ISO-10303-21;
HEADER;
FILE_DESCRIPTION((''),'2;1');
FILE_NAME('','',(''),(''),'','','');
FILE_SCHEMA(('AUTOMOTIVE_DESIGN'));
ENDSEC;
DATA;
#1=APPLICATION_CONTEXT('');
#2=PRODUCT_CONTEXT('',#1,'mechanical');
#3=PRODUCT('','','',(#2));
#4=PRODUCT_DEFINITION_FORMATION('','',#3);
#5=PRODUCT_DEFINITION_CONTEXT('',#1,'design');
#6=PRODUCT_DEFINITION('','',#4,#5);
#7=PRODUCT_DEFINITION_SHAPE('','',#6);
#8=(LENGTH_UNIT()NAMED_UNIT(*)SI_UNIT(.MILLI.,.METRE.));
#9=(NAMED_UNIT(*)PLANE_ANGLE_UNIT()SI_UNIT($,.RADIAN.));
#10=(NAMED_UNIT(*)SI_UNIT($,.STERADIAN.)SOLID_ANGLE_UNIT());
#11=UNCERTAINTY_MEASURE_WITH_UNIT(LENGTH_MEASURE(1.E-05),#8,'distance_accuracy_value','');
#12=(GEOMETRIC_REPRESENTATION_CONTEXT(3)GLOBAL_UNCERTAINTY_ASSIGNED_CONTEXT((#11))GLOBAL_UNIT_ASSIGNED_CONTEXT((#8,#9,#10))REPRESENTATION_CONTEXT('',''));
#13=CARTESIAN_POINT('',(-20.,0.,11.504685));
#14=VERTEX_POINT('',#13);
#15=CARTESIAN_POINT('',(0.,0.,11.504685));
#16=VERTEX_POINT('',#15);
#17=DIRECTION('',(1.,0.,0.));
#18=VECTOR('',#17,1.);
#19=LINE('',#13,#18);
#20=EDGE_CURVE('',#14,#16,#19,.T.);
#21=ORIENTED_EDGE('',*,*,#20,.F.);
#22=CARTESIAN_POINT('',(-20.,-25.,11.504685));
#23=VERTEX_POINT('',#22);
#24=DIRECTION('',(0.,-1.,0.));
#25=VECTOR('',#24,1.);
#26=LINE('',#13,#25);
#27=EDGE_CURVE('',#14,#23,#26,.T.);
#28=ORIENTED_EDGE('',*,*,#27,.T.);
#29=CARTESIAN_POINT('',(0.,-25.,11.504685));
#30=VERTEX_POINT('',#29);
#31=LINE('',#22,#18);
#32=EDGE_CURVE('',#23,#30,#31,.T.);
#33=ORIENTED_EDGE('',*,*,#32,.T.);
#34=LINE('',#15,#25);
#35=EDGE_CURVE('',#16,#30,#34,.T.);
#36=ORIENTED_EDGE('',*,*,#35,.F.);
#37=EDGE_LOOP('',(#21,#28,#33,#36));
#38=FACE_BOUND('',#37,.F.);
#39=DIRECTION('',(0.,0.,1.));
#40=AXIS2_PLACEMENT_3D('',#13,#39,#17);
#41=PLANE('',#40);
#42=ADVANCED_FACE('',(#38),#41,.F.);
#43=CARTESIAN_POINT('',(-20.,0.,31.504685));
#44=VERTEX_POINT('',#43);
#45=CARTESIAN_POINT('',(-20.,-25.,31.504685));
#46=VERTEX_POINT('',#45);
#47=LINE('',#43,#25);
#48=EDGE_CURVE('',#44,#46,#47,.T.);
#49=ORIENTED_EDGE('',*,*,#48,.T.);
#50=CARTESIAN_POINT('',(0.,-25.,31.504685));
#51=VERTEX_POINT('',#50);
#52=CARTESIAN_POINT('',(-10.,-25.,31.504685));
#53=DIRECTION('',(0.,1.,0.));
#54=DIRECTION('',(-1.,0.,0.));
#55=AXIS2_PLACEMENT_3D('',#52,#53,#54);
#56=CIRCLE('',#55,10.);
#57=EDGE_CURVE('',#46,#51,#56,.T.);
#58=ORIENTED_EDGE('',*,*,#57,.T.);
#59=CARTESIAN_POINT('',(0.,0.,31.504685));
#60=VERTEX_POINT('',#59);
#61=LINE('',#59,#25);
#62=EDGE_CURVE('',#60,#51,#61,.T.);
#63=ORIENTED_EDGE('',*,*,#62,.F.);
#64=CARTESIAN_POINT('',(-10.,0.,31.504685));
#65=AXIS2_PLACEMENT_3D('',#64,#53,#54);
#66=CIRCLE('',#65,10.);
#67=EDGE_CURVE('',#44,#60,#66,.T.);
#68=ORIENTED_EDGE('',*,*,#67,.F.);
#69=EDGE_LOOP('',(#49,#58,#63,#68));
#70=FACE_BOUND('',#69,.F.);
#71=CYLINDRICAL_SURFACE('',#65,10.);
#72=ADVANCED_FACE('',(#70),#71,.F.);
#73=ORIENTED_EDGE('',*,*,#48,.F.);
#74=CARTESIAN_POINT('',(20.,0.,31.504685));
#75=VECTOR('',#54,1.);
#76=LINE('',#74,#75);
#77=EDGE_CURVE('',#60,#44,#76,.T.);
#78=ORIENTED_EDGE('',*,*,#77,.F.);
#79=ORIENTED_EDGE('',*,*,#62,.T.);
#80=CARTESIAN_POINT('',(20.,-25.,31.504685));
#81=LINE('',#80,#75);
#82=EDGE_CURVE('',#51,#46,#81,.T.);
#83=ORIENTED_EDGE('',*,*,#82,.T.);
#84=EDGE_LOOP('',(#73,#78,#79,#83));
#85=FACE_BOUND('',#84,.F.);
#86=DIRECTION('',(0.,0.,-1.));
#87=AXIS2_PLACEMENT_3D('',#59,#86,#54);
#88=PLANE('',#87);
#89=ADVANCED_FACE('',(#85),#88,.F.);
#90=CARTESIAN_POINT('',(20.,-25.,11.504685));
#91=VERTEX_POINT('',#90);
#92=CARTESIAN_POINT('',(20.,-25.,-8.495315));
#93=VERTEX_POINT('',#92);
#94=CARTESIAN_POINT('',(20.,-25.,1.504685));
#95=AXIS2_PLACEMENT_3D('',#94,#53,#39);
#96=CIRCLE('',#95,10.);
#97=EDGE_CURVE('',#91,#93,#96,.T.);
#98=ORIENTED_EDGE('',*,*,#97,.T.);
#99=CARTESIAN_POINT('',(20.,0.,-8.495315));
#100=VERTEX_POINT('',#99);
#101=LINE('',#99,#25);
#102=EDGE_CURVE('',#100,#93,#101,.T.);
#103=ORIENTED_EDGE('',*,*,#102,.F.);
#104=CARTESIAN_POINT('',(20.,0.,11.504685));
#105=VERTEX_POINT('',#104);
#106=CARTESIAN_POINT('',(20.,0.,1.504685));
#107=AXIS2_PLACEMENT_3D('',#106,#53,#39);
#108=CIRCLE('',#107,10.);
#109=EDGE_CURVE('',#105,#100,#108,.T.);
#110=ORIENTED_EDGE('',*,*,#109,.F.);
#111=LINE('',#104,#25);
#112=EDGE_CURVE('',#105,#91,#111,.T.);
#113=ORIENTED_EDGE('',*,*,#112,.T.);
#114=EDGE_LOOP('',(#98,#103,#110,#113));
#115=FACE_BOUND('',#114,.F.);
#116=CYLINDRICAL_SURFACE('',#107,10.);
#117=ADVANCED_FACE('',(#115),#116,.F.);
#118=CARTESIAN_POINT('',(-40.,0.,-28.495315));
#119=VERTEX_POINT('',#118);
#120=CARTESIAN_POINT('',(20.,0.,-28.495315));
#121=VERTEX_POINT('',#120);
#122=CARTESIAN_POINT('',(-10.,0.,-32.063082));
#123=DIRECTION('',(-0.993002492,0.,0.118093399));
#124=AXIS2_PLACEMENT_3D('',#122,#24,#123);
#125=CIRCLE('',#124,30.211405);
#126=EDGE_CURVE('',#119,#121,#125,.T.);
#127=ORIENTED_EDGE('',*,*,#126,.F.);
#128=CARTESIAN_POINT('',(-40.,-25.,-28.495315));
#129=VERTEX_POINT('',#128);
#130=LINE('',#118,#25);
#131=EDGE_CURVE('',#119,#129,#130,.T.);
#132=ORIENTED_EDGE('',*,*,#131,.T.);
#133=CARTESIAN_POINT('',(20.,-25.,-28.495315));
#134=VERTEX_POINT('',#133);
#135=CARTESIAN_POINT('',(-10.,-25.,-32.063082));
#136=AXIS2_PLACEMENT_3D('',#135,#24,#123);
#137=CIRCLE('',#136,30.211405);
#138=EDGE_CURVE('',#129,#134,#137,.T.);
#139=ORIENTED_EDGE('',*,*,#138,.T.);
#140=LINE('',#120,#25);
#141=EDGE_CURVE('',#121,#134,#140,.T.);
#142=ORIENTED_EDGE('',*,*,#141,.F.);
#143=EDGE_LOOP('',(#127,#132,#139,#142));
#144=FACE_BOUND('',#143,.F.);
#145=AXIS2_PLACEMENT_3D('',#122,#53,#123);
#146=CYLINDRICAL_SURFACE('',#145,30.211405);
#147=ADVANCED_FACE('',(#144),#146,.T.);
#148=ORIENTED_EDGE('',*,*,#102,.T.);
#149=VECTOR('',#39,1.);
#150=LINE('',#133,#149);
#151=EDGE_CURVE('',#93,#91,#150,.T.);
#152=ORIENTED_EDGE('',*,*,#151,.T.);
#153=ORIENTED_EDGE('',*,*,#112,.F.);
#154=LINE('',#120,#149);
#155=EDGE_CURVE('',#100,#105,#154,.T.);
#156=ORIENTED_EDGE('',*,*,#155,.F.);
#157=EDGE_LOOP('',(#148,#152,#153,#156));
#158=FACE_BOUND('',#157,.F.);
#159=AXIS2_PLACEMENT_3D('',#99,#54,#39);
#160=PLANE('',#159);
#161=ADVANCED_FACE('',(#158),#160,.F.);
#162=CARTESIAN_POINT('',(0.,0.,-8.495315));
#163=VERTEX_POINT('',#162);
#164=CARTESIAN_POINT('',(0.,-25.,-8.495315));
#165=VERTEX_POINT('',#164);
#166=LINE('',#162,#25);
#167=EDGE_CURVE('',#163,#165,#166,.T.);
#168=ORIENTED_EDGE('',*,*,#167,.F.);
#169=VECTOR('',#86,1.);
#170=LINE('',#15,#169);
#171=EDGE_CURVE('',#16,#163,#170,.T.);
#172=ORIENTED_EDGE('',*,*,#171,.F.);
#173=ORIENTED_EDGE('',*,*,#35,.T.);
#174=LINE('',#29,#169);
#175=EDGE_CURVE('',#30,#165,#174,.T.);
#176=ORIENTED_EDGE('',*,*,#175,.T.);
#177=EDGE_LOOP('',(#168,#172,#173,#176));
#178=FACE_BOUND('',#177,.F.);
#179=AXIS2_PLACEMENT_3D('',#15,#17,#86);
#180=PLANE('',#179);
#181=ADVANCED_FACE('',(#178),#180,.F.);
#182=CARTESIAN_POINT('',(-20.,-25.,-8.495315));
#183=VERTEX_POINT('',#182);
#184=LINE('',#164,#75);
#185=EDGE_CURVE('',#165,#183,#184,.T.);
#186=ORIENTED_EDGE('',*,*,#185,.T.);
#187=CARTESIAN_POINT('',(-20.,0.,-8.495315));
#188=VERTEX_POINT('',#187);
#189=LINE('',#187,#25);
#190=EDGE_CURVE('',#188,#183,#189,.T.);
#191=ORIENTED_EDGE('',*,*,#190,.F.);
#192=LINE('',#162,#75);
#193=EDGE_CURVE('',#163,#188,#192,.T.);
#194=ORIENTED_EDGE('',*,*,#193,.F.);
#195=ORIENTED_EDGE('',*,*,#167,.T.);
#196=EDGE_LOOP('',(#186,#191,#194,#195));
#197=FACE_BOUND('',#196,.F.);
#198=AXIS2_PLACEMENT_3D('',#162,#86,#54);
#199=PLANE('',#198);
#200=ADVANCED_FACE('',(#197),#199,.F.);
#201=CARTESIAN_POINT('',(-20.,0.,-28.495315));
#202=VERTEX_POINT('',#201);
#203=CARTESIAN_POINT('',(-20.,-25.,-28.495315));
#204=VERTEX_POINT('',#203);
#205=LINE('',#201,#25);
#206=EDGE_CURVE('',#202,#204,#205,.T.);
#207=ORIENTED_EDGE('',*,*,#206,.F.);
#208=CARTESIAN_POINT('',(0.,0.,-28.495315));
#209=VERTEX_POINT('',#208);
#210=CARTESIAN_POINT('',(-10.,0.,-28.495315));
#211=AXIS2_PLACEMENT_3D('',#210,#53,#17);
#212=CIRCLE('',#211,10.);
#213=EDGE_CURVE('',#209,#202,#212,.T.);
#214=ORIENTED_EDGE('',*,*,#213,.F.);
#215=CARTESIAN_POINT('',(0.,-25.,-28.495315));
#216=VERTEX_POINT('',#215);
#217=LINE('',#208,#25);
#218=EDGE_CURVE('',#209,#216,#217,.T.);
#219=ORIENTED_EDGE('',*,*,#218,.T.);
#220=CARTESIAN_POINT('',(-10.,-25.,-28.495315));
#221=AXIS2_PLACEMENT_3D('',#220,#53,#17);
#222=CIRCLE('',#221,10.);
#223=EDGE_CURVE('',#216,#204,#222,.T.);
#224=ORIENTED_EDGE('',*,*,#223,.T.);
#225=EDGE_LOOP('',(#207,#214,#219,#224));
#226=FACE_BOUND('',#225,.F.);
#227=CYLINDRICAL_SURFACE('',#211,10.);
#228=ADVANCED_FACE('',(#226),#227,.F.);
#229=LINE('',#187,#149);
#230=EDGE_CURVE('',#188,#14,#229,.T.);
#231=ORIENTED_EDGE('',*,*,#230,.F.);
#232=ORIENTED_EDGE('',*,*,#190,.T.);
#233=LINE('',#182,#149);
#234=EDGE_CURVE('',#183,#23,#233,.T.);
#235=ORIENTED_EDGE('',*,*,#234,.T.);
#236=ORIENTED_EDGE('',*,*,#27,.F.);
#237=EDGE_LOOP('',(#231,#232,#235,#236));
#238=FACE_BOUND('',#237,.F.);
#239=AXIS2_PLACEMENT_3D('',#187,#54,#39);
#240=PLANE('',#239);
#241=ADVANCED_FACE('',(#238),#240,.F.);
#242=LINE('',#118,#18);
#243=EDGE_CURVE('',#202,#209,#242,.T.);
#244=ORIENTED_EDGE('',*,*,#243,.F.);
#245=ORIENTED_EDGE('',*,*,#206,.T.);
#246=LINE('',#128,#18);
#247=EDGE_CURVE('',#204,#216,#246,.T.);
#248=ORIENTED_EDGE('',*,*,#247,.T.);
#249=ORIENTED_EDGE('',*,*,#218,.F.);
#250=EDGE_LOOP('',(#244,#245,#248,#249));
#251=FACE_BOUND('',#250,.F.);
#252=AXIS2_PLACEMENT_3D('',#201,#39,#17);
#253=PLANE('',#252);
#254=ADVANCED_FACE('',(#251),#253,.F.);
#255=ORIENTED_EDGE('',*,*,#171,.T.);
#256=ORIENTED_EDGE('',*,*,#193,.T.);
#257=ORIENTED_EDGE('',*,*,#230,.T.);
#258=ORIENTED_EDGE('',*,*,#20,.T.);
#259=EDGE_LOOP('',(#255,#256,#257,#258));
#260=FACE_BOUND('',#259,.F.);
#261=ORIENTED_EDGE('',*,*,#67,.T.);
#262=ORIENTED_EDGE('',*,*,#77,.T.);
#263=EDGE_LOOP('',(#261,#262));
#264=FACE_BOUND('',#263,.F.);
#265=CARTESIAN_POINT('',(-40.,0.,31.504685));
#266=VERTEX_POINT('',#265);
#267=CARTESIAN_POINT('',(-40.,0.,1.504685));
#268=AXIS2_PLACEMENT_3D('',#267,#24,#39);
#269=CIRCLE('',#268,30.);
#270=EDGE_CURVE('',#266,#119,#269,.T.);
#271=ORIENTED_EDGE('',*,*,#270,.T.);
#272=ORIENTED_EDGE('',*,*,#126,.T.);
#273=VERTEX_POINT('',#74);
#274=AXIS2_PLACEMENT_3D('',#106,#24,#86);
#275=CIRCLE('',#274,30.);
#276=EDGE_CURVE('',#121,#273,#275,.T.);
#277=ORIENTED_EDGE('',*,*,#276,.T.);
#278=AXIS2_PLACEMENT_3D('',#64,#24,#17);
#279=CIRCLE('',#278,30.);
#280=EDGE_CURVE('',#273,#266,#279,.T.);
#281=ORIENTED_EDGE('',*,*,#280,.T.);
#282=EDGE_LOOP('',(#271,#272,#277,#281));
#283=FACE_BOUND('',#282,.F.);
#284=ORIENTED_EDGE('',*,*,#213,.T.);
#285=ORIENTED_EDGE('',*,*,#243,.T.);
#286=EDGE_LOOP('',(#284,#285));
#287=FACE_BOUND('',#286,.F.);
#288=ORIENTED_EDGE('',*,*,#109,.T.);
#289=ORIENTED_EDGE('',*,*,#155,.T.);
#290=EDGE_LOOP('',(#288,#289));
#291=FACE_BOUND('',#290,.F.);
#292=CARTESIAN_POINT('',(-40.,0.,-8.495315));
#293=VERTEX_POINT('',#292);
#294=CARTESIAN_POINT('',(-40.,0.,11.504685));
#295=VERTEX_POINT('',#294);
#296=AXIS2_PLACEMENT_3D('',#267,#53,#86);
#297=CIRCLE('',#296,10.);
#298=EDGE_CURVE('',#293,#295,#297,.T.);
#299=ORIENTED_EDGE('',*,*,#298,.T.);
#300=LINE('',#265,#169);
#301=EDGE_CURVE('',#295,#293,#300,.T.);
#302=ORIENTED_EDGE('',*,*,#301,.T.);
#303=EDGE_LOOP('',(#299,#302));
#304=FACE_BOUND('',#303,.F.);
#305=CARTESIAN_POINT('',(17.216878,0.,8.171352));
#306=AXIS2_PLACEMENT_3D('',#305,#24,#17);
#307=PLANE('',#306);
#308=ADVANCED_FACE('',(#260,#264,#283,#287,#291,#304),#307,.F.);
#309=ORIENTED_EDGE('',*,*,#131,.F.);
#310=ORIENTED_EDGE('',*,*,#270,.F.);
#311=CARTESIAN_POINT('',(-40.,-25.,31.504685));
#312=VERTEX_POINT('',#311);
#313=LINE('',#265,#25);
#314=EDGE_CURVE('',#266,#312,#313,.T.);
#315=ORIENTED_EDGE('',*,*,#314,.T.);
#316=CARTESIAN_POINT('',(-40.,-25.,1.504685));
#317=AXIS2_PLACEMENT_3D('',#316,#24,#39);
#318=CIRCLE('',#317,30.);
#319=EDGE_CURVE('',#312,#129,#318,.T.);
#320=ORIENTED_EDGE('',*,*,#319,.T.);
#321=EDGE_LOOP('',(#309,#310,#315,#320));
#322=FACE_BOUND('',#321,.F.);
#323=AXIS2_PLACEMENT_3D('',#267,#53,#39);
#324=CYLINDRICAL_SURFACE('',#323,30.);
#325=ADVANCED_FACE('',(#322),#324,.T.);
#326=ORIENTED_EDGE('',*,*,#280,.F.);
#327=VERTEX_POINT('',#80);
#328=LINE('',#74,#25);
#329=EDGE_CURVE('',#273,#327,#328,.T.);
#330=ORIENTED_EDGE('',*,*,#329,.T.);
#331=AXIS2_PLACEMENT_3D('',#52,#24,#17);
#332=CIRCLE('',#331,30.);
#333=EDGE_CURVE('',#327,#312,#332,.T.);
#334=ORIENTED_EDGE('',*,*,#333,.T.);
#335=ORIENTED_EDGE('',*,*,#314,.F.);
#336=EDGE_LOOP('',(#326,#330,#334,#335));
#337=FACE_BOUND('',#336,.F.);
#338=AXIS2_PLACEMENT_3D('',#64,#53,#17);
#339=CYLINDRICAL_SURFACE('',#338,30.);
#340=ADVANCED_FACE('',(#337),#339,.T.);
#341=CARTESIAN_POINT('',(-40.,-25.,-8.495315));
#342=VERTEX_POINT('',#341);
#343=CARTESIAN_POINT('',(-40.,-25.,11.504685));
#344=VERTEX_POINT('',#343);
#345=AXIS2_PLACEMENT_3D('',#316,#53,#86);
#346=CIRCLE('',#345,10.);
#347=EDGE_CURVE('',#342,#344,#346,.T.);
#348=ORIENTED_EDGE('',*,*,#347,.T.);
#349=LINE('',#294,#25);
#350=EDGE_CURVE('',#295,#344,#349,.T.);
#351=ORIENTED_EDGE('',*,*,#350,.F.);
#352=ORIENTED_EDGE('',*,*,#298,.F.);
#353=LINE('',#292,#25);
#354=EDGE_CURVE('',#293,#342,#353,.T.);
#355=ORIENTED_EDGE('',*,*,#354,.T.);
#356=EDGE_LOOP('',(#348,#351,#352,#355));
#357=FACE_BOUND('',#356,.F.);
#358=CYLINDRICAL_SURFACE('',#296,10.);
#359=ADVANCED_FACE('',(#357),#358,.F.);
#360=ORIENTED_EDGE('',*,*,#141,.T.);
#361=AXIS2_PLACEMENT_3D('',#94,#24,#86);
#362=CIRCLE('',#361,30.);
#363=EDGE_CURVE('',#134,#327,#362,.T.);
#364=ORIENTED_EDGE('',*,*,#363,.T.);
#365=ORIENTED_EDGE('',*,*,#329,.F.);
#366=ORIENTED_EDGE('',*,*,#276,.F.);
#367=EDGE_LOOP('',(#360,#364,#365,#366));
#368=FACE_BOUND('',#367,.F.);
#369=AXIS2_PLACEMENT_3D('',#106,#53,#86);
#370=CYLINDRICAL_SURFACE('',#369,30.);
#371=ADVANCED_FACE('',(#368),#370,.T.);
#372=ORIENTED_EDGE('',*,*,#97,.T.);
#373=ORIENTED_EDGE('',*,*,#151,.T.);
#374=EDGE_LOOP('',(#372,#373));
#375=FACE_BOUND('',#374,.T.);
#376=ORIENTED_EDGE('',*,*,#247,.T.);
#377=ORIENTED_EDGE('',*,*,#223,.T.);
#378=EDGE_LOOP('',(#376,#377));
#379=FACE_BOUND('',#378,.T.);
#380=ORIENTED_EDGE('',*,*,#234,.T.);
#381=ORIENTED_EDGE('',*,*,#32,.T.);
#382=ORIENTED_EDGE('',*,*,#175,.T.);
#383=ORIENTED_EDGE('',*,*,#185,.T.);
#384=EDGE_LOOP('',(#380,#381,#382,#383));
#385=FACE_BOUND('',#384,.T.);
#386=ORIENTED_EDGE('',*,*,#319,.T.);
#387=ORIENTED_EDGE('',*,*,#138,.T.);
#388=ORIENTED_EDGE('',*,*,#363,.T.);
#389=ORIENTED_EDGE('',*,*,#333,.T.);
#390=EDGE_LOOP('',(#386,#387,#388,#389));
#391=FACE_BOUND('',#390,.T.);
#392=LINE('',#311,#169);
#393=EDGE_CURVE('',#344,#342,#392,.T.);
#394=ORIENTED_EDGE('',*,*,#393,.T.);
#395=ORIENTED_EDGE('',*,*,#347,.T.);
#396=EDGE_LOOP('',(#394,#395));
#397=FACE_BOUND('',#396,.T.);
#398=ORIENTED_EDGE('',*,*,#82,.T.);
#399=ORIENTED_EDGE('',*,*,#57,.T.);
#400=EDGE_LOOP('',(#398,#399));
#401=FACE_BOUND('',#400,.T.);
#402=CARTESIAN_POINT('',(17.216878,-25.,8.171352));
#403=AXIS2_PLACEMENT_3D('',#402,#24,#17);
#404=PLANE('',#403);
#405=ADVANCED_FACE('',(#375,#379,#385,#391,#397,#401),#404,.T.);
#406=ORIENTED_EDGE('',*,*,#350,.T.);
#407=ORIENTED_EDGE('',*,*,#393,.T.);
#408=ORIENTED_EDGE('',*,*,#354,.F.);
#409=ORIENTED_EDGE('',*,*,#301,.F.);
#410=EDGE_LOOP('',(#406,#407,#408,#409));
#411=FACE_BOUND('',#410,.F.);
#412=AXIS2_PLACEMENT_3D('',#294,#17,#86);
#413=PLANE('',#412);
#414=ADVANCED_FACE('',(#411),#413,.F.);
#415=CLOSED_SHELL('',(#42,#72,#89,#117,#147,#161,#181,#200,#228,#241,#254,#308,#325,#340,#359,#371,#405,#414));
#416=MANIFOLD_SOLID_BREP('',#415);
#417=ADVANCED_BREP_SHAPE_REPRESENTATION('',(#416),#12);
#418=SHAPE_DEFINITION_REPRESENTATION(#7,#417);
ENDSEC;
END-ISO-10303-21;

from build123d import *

# Parameters (mm, degrees)
F1_DEPTH = 25


with BuildPart() as f1:
    # F0 (on Front) → F1 (new body)
    with BuildSketch(Plane.XZ):
        with BuildLine():
            Line((-20, 31.504685), (-20, 11.504685))
            Line((-20, 11.504685), (0, 11.504685))
            Line((0, 11.504685), (20, 11.504685))
            ThreePointArc((20, 11.504685), (30, 1.504685), (20, -8.495315))
            Line((20, -8.495315), (20, -28.495315))
            ThreePointArc((20, -28.495315), (50, 1.504685), (20, 31.504685))
            Line((20, 31.504685), (0, 31.504685))
            Line((0, 31.504685), (-20, 31.504685))
        make_face()
        with BuildLine():
            Line((-20, -8.495315), (-20, 11.504685))
            Line((-20, 11.504685), (-20, 31.504685))
            ThreePointArc((-20, 31.504685), (-10, 41.504685), (0, 31.504685))
            Line((0, 31.504685), (20, 31.504685))
            ThreePointArc((20, 31.504685), (-10, 61.504685), (-40, 31.504685))
            Line((-40, 31.504685), (-40, 11.504685))
            Line((-40, 11.504685), (-40, -8.495315))
            Line((-40, -8.495315), (-20, -8.495315))
        make_face()
        with BuildLine():
            Line((20, 11.504685), (0, 11.504685))
            Line((0, 11.504685), (0, -8.495315))
            Line((0, -8.495315), (0, -28.495315))
            ThreePointArc((0, -28.495315), (-10, -38.495315), (-20, -28.495315))
            Line((-20, -28.495315), (-40, -28.495315))
            ThreePointArc((-40, -28.495315), (-10, -62.274487), (20, -28.495315))
            Line((20, -28.495315), (20, -8.495315))
            Line((20, -8.495315), (20, 11.504685))
        make_face()
        with BuildLine():
            Line((0, -8.495315), (-20, -8.495315))
            Line((-20, -8.495315), (-40, -8.495315))
            ThreePointArc((-40, -8.495315), (-50, 1.504685), (-40, 11.504685))
            Line((-40, 11.504685), (-40, 31.504685))
            ThreePointArc((-40, 31.504685), (-70, 1.504685), (-40, -28.495315))
            Line((-40, -28.495315), (-20, -28.495315))
            Line((-20, -28.495315), (0, -28.495315))
            Line((0, -28.495315), (0, -8.495315))
        make_face()
    extrude(amount=F1_DEPTH)


solid = f1.part
